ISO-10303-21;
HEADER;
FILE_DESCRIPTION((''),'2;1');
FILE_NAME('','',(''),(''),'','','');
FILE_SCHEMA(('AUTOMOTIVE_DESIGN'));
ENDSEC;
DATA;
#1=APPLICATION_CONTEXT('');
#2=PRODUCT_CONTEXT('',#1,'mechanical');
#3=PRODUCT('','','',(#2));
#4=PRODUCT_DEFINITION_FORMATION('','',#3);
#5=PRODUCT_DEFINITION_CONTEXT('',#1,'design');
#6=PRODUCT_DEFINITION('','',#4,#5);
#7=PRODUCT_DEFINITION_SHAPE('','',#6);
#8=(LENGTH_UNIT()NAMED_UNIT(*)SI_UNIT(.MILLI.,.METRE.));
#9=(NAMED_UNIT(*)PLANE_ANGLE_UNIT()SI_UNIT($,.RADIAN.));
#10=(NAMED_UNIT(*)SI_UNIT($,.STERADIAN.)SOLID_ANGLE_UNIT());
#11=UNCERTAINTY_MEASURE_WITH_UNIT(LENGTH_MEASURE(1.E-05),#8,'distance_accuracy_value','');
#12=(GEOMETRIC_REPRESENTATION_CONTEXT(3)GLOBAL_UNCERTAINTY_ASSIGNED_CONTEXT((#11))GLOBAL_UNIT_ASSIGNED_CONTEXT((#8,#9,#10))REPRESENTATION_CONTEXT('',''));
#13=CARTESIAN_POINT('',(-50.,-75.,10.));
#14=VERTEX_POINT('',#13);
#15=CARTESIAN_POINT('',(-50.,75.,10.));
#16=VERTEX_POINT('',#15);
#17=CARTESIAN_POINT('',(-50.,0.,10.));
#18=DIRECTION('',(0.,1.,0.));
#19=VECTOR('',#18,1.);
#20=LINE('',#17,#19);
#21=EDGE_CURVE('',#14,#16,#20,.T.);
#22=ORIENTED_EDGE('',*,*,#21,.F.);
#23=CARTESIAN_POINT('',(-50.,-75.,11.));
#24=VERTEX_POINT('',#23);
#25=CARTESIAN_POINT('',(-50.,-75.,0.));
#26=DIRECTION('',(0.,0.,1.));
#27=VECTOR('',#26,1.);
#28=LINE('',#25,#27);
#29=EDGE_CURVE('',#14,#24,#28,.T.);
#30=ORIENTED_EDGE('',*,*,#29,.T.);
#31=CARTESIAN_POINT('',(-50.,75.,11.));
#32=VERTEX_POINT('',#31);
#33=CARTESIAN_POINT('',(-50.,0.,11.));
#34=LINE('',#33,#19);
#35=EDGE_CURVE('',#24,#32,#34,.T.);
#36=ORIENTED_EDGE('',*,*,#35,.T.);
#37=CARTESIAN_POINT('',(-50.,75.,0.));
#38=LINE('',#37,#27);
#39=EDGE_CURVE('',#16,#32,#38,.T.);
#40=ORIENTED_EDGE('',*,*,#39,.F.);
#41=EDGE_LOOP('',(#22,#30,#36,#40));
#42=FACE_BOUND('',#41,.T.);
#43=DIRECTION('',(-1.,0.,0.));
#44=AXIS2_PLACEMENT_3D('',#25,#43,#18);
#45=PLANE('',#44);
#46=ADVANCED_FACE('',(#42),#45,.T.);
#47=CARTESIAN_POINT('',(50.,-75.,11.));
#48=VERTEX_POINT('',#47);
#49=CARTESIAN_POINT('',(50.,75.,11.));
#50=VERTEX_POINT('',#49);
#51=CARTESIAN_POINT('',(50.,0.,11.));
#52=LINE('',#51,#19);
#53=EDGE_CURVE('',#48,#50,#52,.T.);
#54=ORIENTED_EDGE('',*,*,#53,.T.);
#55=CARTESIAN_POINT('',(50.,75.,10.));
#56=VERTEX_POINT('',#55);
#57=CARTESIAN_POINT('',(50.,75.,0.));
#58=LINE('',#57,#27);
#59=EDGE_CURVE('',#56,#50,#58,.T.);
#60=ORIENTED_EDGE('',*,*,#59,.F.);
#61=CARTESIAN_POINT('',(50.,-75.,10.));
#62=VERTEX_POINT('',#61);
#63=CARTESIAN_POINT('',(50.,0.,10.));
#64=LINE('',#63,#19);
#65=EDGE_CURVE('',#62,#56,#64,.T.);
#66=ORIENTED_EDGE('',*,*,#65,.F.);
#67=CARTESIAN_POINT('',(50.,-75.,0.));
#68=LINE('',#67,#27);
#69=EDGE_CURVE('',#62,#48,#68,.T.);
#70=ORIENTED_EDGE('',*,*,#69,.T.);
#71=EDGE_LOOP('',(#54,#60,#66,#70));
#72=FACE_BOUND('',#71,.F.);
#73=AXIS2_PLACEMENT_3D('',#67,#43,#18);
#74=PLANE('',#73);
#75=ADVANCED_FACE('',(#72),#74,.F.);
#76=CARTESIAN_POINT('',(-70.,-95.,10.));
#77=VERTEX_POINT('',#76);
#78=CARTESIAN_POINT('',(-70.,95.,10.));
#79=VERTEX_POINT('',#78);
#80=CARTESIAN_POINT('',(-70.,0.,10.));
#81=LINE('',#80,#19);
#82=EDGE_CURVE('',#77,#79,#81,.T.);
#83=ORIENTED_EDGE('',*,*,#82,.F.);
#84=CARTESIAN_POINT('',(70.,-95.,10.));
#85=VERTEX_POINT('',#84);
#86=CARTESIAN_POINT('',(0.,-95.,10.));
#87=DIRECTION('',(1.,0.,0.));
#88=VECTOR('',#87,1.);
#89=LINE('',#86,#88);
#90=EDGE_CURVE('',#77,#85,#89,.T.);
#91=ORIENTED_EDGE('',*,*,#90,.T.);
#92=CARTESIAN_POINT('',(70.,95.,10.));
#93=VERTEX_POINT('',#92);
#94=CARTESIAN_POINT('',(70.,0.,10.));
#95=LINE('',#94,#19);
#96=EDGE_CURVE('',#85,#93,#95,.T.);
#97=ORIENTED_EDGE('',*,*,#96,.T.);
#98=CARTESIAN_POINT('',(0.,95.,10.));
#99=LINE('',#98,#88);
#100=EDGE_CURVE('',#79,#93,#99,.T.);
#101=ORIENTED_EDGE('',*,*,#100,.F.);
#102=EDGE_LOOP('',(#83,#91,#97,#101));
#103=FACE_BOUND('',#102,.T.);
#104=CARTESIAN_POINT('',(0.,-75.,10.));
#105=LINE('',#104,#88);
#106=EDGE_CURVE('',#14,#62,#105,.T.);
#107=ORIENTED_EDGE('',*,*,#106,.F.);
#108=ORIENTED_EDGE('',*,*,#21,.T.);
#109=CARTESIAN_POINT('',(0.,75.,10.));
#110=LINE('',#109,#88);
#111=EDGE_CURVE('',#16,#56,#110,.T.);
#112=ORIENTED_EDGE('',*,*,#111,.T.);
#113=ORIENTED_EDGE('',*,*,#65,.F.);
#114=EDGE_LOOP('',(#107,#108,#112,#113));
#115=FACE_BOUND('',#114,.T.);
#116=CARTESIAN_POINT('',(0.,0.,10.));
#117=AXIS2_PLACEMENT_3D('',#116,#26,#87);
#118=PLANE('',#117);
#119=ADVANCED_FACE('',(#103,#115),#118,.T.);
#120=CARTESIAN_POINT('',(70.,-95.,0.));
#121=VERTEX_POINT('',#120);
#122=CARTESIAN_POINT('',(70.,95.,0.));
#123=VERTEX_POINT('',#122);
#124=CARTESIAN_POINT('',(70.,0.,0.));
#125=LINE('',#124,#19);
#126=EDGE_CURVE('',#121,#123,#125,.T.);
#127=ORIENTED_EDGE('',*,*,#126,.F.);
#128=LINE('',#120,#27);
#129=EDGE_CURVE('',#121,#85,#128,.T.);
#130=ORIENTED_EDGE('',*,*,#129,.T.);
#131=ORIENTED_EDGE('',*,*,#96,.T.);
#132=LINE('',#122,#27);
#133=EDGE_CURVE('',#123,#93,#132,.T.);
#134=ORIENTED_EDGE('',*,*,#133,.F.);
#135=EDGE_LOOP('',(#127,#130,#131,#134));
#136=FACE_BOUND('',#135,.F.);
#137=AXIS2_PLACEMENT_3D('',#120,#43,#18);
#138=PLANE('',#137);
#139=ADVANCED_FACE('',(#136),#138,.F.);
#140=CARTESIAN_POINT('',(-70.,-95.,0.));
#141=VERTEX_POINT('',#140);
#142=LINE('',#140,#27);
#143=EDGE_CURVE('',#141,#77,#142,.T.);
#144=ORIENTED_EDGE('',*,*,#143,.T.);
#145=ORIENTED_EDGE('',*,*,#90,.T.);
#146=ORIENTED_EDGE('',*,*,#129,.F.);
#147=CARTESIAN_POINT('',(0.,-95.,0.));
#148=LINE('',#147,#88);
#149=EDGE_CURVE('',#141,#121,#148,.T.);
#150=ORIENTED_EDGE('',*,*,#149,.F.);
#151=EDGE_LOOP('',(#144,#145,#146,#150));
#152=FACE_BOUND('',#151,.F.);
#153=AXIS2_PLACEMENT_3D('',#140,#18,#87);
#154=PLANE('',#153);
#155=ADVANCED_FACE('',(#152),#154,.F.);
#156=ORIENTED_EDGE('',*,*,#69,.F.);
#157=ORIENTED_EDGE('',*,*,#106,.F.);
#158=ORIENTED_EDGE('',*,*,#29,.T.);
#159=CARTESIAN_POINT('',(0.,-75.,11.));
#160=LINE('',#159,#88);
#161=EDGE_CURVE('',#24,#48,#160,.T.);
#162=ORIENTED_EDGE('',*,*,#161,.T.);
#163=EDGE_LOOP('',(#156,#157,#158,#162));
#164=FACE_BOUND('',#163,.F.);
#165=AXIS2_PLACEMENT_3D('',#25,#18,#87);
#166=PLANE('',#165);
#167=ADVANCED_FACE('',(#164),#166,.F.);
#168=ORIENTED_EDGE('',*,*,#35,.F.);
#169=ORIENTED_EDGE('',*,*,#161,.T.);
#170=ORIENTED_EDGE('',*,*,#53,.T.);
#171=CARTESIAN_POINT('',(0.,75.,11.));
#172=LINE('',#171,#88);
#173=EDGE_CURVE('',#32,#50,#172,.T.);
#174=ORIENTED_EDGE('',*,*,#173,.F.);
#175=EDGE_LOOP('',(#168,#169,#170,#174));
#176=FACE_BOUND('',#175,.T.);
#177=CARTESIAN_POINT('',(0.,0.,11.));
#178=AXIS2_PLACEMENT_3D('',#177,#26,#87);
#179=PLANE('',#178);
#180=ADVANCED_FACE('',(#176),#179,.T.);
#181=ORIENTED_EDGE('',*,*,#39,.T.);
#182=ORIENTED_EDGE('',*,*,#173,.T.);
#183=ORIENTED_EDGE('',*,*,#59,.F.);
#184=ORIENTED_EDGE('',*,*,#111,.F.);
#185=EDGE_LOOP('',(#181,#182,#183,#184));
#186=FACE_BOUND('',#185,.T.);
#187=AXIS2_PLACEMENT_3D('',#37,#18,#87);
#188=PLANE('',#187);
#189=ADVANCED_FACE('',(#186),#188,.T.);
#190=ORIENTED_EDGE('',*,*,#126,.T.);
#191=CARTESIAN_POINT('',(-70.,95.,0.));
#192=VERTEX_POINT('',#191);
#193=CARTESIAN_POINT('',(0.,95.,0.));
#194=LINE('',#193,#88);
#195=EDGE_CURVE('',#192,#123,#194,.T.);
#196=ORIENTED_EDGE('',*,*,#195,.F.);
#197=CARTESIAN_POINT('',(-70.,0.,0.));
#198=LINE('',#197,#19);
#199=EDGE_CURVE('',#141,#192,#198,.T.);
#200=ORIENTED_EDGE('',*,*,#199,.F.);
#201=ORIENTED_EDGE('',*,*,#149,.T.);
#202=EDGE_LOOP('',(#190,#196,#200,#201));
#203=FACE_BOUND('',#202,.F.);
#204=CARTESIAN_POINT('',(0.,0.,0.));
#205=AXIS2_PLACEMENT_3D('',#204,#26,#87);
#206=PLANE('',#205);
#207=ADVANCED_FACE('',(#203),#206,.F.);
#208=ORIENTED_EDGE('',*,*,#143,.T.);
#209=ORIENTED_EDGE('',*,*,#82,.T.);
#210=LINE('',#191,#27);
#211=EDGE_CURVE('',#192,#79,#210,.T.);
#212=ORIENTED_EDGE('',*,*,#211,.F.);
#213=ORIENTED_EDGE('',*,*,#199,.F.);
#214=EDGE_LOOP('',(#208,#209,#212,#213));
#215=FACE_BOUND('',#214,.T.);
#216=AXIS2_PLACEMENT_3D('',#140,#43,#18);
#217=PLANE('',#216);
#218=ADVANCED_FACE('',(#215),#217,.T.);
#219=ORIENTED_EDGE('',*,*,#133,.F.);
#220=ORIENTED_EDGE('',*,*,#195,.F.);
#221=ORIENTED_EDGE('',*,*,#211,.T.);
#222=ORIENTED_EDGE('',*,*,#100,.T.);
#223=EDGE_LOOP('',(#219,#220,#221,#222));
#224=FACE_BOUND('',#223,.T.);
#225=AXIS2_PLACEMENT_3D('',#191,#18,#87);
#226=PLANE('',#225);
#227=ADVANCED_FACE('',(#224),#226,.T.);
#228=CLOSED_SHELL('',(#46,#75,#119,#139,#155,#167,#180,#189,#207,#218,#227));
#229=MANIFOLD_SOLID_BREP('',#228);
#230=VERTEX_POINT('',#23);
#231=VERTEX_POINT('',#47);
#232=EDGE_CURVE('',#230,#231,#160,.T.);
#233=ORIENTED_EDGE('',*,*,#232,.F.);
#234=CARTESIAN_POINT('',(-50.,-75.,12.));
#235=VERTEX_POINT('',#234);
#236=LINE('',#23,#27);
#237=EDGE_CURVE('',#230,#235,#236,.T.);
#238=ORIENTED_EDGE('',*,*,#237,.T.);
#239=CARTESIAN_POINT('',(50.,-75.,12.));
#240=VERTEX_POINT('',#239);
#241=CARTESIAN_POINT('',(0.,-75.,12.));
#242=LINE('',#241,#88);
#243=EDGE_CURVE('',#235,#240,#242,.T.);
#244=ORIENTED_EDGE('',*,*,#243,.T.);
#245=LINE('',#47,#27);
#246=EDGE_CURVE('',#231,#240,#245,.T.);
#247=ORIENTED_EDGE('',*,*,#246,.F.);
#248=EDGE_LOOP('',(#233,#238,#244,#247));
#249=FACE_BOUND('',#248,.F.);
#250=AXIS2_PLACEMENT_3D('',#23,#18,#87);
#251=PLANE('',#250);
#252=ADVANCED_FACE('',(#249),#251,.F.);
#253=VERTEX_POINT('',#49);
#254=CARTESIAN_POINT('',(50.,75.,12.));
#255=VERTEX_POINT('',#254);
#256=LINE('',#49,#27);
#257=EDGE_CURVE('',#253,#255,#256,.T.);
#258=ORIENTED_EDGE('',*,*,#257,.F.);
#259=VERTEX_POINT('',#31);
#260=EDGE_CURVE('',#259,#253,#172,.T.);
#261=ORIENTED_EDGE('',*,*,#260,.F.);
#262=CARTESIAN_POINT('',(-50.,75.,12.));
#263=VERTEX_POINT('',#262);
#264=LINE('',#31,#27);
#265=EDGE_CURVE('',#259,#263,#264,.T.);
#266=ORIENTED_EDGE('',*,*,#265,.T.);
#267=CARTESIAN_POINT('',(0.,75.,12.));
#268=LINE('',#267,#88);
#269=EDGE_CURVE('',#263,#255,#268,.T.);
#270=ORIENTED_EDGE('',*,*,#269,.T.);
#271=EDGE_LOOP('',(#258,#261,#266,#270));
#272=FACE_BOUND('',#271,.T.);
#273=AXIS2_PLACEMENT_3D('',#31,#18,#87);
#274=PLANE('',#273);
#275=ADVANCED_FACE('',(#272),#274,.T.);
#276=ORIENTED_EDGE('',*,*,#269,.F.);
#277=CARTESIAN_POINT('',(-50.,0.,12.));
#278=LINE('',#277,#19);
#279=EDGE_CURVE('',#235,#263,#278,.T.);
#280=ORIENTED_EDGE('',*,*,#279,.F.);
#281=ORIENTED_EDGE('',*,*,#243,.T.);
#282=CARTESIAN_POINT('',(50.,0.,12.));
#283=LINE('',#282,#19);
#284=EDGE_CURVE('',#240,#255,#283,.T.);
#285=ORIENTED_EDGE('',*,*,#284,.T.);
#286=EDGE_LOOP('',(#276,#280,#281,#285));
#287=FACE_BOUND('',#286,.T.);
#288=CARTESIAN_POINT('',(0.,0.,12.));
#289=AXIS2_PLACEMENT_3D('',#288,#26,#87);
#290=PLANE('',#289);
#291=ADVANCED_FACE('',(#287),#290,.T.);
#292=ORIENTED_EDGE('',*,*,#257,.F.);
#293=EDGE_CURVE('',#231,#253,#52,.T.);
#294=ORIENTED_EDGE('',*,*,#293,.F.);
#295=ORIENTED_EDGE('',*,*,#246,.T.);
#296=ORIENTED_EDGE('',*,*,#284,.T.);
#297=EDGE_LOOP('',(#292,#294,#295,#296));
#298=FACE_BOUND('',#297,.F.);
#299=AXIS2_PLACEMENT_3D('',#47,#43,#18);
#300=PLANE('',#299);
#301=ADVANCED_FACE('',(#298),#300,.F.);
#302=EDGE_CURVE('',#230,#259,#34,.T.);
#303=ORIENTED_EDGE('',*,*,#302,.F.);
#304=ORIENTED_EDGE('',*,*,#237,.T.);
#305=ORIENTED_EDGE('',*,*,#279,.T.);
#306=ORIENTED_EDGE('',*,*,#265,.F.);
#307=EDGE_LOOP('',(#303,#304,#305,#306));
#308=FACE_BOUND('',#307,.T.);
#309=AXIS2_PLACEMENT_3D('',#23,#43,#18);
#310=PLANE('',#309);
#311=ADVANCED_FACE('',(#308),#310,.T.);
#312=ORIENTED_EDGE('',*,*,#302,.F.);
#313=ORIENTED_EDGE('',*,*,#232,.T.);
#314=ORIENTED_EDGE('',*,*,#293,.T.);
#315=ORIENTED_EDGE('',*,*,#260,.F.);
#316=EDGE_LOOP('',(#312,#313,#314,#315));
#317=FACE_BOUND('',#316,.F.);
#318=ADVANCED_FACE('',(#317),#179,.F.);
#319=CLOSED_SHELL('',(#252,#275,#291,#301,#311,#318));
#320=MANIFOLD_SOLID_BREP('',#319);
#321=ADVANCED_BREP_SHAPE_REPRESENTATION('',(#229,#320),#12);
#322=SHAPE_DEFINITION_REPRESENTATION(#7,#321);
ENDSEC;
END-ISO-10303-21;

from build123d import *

# Parameters (mm, degrees)
F0_W      = 100
F0_H      = 150
F1_DEPTH  = 11
F0_W_2    = 140
F0_H_2    = 190
F2_DEPTH  = 10
F1_FACE_W = 100
F1_FACE_H = 150
F3_DEPTH  = 1


with BuildPart() as f1:
    # F0 (on Top) → F1 (new body)
    with BuildSketch(Plane.XY):
        Rectangle(F0_W, F0_H)
    extrude(amount=F1_DEPTH)

    # F0 (on Top) → F2 (join)
    with BuildSketch(Plane.XY):
        Rectangle(F0_W_2, F0_H_2)
        Rectangle(F0_W, F0_H, mode=Mode.SUBTRACT)
    extrude(amount=F2_DEPTH)


with BuildPart() as f3:
    # F1_face (on face) → F3 (new body)
    with BuildSketch(Plane.XY.offset(11)):
        Rectangle(F1_FACE_W, F1_FACE_H)
    extrude(amount=F3_DEPTH)


solid = Compound([f1.part, f3.part])
